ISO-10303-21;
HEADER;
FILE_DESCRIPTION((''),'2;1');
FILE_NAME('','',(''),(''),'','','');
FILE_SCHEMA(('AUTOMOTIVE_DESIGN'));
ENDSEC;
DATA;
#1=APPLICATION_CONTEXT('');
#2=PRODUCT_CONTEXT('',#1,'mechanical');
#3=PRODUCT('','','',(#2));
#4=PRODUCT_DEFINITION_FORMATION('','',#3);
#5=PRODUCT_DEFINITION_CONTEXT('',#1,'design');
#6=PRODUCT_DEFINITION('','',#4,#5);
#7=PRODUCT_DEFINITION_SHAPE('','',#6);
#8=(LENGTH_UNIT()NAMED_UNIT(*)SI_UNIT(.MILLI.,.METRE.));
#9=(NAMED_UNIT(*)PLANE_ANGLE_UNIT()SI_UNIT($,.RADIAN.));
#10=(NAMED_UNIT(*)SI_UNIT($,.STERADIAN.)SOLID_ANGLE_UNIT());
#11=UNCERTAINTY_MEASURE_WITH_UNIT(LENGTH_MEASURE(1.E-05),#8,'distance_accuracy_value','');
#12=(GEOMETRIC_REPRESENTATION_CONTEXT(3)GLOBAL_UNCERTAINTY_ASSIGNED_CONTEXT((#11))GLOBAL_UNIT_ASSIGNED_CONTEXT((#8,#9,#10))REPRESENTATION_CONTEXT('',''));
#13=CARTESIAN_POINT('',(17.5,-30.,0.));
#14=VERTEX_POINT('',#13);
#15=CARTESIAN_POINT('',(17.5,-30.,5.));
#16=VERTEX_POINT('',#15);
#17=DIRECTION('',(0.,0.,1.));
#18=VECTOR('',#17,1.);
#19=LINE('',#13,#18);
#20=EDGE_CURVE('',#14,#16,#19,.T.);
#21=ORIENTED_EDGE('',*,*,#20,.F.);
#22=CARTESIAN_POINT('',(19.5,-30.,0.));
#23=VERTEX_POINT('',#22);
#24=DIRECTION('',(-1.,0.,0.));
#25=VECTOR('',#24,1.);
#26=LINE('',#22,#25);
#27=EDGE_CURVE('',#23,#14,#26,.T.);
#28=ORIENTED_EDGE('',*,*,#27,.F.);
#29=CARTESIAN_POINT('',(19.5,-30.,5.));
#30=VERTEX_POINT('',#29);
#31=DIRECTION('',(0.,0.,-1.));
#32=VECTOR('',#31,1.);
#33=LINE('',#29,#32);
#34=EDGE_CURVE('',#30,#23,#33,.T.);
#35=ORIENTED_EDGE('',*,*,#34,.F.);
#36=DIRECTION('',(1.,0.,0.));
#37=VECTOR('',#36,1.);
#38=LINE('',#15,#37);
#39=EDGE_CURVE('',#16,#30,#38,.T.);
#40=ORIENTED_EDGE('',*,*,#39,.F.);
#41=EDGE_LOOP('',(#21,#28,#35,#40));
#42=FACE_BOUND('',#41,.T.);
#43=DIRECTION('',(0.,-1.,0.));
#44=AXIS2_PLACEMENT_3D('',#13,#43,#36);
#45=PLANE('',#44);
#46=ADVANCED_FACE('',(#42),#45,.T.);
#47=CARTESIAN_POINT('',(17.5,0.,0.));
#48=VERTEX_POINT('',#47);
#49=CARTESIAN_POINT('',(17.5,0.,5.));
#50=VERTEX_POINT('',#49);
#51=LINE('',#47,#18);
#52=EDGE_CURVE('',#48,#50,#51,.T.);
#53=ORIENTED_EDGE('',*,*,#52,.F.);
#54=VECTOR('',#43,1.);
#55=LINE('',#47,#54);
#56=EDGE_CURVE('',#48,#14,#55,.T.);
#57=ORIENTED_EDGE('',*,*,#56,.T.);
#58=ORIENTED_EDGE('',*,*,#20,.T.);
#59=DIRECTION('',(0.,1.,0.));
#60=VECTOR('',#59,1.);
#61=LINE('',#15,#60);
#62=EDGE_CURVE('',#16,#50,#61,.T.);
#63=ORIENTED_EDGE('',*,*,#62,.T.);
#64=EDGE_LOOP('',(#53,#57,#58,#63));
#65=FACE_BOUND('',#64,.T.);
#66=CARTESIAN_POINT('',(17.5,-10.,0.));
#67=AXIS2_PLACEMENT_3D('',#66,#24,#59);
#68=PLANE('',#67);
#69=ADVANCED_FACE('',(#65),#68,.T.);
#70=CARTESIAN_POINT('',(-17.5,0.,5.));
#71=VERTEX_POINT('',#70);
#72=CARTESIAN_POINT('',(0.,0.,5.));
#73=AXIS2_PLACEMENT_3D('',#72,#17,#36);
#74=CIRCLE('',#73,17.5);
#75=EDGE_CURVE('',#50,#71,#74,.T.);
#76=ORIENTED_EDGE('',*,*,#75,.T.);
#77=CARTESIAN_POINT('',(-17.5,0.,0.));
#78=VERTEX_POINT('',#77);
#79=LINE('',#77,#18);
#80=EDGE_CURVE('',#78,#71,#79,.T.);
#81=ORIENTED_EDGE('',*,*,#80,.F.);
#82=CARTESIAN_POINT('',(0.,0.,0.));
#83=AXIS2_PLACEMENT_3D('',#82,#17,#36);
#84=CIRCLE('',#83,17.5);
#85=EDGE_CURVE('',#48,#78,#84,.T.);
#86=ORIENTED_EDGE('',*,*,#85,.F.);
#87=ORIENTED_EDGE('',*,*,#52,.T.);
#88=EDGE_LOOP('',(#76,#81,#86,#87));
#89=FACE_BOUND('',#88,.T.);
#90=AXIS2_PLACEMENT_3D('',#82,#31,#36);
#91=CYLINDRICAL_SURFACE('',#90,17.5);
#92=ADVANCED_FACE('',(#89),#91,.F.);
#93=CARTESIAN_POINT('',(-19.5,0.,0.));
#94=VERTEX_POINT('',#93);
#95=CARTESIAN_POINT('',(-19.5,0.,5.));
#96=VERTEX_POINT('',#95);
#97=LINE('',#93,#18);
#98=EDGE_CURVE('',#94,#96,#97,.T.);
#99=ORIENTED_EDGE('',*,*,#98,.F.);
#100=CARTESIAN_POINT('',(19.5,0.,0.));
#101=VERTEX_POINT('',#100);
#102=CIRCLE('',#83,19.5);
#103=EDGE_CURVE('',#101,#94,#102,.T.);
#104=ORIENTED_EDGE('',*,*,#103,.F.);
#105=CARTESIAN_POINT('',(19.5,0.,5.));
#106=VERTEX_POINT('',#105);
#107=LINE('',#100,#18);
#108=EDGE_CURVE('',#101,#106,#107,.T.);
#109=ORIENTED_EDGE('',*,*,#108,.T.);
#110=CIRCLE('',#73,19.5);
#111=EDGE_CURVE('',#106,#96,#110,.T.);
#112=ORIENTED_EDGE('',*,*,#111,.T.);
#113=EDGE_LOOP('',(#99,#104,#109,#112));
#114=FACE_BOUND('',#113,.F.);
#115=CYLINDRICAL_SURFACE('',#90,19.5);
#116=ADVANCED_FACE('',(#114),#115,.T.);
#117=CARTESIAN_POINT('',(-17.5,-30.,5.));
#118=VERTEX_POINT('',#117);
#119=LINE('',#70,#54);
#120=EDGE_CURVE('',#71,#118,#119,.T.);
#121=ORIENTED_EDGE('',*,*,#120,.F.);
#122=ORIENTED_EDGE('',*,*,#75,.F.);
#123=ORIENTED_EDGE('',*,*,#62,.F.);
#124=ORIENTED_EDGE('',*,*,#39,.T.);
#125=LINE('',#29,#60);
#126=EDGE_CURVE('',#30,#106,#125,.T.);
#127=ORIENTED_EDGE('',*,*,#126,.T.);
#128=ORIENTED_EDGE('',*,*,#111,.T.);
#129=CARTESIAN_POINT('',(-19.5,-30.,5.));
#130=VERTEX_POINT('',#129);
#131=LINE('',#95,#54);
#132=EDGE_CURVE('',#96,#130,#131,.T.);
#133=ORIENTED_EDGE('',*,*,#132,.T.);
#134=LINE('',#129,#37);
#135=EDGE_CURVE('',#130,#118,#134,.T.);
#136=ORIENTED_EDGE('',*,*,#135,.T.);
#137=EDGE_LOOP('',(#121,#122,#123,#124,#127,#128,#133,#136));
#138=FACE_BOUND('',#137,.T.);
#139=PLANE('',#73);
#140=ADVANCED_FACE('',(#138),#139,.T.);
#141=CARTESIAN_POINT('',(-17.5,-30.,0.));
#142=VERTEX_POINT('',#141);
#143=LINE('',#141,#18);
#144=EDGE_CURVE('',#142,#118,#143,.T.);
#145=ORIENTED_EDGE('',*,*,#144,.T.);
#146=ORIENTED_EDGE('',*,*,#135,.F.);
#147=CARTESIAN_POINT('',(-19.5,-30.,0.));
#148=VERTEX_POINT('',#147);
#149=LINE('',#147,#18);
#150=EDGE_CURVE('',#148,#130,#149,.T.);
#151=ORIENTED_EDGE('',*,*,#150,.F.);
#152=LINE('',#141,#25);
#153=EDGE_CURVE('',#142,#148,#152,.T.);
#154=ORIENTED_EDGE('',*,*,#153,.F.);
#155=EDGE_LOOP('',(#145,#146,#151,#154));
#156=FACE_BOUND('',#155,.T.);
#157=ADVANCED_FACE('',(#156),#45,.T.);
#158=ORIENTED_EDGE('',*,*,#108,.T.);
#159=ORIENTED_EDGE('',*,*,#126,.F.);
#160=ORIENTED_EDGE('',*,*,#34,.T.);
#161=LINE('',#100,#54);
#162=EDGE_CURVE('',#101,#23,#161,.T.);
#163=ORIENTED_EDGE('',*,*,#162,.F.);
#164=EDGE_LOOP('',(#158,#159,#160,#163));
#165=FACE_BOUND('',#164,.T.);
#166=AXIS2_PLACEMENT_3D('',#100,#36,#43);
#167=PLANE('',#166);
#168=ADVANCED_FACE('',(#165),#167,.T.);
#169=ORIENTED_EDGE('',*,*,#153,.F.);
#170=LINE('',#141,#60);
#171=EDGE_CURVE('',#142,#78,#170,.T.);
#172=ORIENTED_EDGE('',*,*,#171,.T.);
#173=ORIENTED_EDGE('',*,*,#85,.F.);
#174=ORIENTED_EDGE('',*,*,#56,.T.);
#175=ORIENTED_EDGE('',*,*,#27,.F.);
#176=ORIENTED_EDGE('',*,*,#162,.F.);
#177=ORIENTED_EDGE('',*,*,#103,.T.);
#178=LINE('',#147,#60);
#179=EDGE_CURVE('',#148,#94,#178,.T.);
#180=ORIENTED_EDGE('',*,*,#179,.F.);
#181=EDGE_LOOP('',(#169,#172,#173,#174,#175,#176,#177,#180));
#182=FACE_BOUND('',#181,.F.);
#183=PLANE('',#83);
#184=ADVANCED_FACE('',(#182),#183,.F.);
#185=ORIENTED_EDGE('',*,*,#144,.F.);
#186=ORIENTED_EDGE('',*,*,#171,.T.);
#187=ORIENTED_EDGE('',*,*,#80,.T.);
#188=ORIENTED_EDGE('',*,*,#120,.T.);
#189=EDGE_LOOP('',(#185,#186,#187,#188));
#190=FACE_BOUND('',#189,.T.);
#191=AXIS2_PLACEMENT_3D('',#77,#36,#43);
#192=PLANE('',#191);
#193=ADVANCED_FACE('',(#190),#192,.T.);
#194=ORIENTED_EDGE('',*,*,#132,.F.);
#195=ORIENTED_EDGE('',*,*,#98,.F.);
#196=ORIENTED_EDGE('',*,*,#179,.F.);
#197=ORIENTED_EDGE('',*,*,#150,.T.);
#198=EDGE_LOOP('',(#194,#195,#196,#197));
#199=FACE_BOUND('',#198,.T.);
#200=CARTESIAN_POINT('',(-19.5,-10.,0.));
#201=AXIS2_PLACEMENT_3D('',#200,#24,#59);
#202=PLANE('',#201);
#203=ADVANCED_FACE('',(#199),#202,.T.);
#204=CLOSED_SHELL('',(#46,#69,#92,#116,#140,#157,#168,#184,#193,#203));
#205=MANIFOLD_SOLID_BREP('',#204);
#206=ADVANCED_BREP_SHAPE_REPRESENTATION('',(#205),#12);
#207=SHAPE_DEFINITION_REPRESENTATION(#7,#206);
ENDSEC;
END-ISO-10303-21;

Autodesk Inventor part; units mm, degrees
ref_plane "YZ Plane" through (0, 0, 0) normal (1, 0, 0) x (0, 1, 0)
ref_plane "XZ Plane" through (0, 0, 0) normal (0, 1, 0) x (-1, 0, 0)
ref_plane "XY Plane" through (0, 0, 0) normal (0, 0, 1) x (1, 0, 0)
sketch "Sketch1" plane through (0, 0, 0) normal (0, 0, 1) x (1, 0, 0)
  arc A0 (17.5, 0) -> (-17.5, 0) centre (0, 0) ccw
  arc A1 (19.5, 0) -> (-19.5, 0) centre (0, 0) ccw
  line L0 (-19.5, 0) -> (-17.5, 0)
  line L1 (-17.5, 0) -> (-17.5, -10)
  line L2 (-17.5, -10) -> (-19.5, -10)
  line L3 (-19.5, -10) -> (-19.5, 0)
  line L4 (17.5, 0) -> (19.5, 0)
  line L5 (19.5, 0) -> (19.5, -10)
  line L6 (19.5, -10) -> (17.5, -10)
  line L7 (17.5, -10) -> (17.5, 0)
  dimension "d0" = 17.5
  dimension "d1" = 19.5
  dimension "d2" = 10
  dimension "d3" = 10
  dimension "d4" = 2
  dimension "d5" = 2
  dimension "d6" = 19.5
  dimension "d7" = 19.5
extrude "Extrusion1" add sketch "Sketch1" along normal blind 5
sketch "Sketch2" plane through (17.5, -10, 0) normal (0, -1, 0) x (1, 0, 0)
  line L0 (-35, 0) -> (-35, 5) projected
  line L1 (-37, 5) -> (-35, 5)
  line L2 (-35, 5) -> (-35, 0)
  line L3 (-35, 0) -> (-37, 0)
  line L4 (-37, 0) -> (-37, 5)
  line L5 (2, 0) -> (0, 0)
  line L6 (0, 0) -> (0, 5)
  line L7 (0, 5) -> (2, 5)
  line L8 (2, 5) -> (2, 0)
  point P0 (-17.5, 0)
  dimension "d10" = 2
  dimension "d11" = 5
  dimension "d12" = 2
  dimension "d13" = 5
extrude "Extrusion2" add sketch "Sketch2" along normal blind 20
properties part number "Team29_TubeHolder"
